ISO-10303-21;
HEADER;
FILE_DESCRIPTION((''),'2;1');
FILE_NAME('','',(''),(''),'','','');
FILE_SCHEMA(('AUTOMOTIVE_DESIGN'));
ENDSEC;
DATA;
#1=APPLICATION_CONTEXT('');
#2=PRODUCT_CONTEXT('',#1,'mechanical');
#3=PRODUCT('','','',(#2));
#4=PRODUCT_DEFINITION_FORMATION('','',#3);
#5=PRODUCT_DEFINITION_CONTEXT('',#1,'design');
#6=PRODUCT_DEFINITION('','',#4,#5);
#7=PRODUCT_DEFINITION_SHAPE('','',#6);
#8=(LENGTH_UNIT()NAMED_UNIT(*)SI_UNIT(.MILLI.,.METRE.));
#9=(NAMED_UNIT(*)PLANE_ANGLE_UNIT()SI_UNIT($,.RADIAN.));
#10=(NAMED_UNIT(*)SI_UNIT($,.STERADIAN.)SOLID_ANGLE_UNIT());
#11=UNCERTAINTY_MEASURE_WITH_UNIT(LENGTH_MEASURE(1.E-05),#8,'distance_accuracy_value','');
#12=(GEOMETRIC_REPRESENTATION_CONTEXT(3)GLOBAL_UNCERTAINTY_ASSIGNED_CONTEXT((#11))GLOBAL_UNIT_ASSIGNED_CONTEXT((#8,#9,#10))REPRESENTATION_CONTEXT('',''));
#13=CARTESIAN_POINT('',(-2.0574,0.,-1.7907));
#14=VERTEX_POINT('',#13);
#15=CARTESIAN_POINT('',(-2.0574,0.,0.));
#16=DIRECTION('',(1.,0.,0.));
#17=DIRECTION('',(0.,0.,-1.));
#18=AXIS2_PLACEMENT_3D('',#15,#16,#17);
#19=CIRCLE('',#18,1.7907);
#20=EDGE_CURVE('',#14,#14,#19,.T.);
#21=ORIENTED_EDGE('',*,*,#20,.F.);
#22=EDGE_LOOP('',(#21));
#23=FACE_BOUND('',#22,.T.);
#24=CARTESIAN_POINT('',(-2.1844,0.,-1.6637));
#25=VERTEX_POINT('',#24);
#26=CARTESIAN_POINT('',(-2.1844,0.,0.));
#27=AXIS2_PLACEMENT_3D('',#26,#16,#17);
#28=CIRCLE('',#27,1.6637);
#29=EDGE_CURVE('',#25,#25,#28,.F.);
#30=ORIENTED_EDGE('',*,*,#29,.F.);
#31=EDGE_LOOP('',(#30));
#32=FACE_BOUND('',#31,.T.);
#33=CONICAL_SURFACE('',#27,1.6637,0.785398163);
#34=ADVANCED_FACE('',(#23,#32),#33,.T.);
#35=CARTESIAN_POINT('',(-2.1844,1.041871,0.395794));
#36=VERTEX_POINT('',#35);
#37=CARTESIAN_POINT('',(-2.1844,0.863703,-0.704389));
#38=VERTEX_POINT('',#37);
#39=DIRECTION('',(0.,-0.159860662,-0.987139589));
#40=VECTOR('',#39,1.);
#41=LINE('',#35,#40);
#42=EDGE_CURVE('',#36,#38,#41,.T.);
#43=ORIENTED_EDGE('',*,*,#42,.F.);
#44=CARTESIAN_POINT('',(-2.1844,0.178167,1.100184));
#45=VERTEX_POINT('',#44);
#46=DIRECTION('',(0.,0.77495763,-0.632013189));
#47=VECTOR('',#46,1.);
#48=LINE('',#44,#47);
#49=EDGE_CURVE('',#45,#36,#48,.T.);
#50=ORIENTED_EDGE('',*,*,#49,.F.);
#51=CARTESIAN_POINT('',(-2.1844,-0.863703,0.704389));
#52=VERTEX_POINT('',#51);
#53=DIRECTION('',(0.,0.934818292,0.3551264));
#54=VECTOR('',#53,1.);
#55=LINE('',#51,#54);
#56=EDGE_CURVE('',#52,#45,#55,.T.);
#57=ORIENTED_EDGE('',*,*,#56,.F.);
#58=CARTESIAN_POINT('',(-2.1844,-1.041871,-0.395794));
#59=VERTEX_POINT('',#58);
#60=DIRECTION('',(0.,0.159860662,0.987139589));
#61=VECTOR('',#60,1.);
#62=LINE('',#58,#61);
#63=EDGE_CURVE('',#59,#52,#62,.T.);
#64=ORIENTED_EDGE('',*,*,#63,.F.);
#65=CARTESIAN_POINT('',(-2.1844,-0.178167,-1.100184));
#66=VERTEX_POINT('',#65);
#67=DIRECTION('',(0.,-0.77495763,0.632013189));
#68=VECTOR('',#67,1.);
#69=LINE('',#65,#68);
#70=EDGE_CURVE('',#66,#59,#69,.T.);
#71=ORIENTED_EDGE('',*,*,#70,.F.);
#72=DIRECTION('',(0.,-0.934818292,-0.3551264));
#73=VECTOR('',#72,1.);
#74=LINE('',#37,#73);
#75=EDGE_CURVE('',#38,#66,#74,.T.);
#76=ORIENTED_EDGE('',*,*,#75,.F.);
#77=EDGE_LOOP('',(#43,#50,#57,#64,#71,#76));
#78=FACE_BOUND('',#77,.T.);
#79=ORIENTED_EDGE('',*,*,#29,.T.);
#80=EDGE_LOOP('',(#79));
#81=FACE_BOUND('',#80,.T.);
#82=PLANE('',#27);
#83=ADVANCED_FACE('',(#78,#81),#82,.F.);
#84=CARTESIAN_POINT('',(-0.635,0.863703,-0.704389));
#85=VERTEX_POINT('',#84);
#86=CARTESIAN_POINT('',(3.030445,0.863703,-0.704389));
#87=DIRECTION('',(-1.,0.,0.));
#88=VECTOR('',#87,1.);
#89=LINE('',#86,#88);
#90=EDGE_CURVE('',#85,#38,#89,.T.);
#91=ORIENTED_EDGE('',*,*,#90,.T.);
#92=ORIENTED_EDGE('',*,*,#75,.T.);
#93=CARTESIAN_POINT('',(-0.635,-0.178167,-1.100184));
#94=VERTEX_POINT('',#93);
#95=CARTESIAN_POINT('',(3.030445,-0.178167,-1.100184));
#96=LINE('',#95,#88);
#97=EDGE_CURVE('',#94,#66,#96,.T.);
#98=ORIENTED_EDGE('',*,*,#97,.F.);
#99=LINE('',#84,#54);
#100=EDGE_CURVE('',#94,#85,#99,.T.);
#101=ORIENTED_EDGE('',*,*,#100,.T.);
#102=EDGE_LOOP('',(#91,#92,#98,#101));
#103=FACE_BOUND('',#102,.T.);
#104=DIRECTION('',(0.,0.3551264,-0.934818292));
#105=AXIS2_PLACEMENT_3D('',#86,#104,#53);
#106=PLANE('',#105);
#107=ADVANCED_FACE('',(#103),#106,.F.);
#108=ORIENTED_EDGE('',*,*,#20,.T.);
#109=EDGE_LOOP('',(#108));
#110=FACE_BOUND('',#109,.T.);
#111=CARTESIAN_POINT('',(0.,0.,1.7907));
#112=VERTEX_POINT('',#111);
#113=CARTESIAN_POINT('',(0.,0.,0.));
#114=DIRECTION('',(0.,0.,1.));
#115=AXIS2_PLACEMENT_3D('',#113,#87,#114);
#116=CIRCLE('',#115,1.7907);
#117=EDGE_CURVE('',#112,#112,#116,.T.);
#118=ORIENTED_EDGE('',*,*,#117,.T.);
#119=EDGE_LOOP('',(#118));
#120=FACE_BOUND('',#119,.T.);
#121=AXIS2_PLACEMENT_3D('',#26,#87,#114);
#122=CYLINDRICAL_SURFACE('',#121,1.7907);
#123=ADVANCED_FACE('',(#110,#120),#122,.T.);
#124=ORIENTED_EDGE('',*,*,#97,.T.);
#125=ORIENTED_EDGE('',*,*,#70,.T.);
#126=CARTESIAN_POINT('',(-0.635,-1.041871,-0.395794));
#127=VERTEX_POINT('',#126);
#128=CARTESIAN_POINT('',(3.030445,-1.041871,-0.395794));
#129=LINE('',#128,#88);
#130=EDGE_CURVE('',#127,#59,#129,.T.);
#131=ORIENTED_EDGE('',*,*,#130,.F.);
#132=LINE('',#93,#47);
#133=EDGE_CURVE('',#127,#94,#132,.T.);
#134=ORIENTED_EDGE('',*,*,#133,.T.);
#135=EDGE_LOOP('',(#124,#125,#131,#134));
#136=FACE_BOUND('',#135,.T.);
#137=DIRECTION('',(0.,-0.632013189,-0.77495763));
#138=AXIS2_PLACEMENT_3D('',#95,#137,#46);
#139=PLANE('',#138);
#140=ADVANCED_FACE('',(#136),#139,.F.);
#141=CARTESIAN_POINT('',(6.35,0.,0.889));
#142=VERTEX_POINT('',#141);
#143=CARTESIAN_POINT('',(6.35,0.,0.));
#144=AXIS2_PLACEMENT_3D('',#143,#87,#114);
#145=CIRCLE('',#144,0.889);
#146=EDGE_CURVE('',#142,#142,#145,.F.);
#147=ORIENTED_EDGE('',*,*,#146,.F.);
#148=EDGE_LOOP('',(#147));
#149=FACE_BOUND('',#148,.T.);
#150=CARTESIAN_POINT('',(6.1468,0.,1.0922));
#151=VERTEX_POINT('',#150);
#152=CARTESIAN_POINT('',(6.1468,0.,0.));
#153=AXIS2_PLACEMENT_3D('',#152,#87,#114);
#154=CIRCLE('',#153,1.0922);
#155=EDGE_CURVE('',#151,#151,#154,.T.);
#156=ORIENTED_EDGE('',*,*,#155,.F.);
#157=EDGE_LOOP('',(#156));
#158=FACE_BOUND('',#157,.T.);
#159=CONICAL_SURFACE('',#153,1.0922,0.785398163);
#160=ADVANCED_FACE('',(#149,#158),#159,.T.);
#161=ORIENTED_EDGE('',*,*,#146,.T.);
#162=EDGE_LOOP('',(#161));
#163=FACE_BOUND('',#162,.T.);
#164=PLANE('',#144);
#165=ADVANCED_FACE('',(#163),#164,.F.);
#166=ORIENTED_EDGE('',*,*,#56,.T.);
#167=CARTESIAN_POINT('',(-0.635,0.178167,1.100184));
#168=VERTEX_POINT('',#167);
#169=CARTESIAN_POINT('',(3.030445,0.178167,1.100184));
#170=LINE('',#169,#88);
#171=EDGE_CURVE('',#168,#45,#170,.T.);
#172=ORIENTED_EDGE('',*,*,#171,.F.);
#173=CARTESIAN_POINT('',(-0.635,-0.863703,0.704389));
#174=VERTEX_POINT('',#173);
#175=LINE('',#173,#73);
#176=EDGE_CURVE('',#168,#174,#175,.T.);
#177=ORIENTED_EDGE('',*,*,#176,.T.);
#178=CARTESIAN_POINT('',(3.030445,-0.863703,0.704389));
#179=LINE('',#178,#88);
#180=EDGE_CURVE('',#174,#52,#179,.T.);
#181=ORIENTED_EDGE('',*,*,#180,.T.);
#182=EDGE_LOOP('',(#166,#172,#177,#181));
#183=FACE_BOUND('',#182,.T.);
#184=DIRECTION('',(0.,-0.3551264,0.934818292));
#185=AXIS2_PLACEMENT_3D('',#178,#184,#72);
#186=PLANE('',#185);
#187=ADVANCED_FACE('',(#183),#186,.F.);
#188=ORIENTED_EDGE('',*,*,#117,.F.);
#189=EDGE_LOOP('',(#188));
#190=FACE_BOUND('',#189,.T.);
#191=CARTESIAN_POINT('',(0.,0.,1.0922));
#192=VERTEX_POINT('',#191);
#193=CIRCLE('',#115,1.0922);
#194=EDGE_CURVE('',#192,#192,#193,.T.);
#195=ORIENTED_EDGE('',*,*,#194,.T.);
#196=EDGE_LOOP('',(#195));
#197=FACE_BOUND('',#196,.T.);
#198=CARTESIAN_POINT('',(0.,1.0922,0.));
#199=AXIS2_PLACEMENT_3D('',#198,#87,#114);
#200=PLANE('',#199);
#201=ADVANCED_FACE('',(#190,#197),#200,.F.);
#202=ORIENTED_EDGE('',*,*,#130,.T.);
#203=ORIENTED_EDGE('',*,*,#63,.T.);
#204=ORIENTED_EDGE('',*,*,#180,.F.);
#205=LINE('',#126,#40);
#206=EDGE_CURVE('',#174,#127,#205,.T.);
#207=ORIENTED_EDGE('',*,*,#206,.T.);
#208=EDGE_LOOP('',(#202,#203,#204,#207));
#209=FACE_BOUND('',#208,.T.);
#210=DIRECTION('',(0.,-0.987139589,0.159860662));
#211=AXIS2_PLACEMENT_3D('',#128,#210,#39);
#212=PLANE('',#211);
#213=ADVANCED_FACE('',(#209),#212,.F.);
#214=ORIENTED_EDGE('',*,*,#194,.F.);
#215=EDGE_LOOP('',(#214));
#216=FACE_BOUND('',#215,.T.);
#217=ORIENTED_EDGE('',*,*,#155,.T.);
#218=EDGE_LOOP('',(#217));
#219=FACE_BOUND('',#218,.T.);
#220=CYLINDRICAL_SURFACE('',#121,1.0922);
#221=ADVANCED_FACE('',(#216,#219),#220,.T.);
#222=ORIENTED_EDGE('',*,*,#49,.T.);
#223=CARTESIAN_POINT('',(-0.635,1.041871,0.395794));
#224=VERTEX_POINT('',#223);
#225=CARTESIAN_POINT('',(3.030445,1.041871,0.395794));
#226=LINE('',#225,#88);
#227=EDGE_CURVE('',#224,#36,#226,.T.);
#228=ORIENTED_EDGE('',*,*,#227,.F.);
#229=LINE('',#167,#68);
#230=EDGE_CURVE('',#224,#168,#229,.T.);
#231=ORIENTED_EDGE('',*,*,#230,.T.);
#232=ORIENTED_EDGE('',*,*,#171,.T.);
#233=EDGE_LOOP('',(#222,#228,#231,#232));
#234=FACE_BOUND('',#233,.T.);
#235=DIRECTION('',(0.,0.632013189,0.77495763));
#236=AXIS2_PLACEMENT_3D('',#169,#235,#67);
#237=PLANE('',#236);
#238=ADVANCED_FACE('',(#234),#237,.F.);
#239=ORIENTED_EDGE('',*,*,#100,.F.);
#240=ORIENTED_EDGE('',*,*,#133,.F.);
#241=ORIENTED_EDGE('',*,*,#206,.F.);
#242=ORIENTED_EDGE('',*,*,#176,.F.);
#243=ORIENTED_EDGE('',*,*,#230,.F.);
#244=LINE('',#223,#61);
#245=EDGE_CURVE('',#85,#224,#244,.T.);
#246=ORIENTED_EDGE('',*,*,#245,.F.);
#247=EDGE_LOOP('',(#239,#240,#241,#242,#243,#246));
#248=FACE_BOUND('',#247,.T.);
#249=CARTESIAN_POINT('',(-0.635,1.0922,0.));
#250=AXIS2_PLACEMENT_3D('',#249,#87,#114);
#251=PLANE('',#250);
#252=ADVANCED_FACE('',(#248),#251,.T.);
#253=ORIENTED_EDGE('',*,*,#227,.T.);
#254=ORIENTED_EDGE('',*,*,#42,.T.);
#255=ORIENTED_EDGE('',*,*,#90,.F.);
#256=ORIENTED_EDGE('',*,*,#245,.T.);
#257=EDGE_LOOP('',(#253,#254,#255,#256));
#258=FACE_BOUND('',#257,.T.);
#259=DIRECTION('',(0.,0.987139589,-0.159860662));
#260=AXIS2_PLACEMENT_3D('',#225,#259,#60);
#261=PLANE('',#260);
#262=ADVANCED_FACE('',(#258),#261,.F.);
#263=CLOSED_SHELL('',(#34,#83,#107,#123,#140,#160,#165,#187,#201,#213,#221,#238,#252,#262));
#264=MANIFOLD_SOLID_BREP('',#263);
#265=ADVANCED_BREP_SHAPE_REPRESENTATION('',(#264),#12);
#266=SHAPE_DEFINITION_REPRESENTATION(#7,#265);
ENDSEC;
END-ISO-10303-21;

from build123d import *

# Parameters (mm, degrees)
CHAMFER1_SIZE      = 0.2032
CHAMFER2_SIZE      = 0.127
CUT_EXTRUDE1_DEPTH = 1.5494


with BuildPart() as part:
    # Sketch1 → Revolve1 (revolve)
    with BuildSketch(Plane.XY, mode=Mode.PRIVATE) as revolve1_sk:
        Polygon((-2.1844, 0), (6.35, 0), (6.35, 1.0922), (0, 1.0922), (0, 1.7907), (-2.1844, 1.7907), align=None)
    revolve(revolve1_sk.sketch.rotate(Axis((-2.1844, 0, 0), (1, 0, 0)), 90), axis=Axis((-2.1844, 0, 0), (1, 0, 0)))

    # Chamfer1
    chamfer1_edges = [part.edges().sort_by_distance(p)[0] for p in [
        (6.35, 0, -1.0922),
    ]]
    chamfer(chamfer1_edges, length=CHAMFER1_SIZE)

    # Chamfer2
    chamfer2_edges = [part.edges().sort_by_distance(p)[0] for p in [
        (-2.1844, 0, -1.7907),
    ]]
    chamfer(chamfer2_edges, length=CHAMFER2_SIZE)

    # Sketch2 → Cut-Extrude1 (cut)
    with BuildSketch(Plane.ZY.offset(2.1844)):
        Polygon((1.100183814, 0.178167419), (0.395794396, 1.041870841), (-0.704389418, 0.863703422), (-1.100183814, -0.178167419), (-0.395794396, -1.041870841), (0.704389418, -0.863703422), align=None)
    extrude(amount=-CUT_EXTRUDE1_DEPTH, mode=Mode.SUBTRACT)


solid = part.part
